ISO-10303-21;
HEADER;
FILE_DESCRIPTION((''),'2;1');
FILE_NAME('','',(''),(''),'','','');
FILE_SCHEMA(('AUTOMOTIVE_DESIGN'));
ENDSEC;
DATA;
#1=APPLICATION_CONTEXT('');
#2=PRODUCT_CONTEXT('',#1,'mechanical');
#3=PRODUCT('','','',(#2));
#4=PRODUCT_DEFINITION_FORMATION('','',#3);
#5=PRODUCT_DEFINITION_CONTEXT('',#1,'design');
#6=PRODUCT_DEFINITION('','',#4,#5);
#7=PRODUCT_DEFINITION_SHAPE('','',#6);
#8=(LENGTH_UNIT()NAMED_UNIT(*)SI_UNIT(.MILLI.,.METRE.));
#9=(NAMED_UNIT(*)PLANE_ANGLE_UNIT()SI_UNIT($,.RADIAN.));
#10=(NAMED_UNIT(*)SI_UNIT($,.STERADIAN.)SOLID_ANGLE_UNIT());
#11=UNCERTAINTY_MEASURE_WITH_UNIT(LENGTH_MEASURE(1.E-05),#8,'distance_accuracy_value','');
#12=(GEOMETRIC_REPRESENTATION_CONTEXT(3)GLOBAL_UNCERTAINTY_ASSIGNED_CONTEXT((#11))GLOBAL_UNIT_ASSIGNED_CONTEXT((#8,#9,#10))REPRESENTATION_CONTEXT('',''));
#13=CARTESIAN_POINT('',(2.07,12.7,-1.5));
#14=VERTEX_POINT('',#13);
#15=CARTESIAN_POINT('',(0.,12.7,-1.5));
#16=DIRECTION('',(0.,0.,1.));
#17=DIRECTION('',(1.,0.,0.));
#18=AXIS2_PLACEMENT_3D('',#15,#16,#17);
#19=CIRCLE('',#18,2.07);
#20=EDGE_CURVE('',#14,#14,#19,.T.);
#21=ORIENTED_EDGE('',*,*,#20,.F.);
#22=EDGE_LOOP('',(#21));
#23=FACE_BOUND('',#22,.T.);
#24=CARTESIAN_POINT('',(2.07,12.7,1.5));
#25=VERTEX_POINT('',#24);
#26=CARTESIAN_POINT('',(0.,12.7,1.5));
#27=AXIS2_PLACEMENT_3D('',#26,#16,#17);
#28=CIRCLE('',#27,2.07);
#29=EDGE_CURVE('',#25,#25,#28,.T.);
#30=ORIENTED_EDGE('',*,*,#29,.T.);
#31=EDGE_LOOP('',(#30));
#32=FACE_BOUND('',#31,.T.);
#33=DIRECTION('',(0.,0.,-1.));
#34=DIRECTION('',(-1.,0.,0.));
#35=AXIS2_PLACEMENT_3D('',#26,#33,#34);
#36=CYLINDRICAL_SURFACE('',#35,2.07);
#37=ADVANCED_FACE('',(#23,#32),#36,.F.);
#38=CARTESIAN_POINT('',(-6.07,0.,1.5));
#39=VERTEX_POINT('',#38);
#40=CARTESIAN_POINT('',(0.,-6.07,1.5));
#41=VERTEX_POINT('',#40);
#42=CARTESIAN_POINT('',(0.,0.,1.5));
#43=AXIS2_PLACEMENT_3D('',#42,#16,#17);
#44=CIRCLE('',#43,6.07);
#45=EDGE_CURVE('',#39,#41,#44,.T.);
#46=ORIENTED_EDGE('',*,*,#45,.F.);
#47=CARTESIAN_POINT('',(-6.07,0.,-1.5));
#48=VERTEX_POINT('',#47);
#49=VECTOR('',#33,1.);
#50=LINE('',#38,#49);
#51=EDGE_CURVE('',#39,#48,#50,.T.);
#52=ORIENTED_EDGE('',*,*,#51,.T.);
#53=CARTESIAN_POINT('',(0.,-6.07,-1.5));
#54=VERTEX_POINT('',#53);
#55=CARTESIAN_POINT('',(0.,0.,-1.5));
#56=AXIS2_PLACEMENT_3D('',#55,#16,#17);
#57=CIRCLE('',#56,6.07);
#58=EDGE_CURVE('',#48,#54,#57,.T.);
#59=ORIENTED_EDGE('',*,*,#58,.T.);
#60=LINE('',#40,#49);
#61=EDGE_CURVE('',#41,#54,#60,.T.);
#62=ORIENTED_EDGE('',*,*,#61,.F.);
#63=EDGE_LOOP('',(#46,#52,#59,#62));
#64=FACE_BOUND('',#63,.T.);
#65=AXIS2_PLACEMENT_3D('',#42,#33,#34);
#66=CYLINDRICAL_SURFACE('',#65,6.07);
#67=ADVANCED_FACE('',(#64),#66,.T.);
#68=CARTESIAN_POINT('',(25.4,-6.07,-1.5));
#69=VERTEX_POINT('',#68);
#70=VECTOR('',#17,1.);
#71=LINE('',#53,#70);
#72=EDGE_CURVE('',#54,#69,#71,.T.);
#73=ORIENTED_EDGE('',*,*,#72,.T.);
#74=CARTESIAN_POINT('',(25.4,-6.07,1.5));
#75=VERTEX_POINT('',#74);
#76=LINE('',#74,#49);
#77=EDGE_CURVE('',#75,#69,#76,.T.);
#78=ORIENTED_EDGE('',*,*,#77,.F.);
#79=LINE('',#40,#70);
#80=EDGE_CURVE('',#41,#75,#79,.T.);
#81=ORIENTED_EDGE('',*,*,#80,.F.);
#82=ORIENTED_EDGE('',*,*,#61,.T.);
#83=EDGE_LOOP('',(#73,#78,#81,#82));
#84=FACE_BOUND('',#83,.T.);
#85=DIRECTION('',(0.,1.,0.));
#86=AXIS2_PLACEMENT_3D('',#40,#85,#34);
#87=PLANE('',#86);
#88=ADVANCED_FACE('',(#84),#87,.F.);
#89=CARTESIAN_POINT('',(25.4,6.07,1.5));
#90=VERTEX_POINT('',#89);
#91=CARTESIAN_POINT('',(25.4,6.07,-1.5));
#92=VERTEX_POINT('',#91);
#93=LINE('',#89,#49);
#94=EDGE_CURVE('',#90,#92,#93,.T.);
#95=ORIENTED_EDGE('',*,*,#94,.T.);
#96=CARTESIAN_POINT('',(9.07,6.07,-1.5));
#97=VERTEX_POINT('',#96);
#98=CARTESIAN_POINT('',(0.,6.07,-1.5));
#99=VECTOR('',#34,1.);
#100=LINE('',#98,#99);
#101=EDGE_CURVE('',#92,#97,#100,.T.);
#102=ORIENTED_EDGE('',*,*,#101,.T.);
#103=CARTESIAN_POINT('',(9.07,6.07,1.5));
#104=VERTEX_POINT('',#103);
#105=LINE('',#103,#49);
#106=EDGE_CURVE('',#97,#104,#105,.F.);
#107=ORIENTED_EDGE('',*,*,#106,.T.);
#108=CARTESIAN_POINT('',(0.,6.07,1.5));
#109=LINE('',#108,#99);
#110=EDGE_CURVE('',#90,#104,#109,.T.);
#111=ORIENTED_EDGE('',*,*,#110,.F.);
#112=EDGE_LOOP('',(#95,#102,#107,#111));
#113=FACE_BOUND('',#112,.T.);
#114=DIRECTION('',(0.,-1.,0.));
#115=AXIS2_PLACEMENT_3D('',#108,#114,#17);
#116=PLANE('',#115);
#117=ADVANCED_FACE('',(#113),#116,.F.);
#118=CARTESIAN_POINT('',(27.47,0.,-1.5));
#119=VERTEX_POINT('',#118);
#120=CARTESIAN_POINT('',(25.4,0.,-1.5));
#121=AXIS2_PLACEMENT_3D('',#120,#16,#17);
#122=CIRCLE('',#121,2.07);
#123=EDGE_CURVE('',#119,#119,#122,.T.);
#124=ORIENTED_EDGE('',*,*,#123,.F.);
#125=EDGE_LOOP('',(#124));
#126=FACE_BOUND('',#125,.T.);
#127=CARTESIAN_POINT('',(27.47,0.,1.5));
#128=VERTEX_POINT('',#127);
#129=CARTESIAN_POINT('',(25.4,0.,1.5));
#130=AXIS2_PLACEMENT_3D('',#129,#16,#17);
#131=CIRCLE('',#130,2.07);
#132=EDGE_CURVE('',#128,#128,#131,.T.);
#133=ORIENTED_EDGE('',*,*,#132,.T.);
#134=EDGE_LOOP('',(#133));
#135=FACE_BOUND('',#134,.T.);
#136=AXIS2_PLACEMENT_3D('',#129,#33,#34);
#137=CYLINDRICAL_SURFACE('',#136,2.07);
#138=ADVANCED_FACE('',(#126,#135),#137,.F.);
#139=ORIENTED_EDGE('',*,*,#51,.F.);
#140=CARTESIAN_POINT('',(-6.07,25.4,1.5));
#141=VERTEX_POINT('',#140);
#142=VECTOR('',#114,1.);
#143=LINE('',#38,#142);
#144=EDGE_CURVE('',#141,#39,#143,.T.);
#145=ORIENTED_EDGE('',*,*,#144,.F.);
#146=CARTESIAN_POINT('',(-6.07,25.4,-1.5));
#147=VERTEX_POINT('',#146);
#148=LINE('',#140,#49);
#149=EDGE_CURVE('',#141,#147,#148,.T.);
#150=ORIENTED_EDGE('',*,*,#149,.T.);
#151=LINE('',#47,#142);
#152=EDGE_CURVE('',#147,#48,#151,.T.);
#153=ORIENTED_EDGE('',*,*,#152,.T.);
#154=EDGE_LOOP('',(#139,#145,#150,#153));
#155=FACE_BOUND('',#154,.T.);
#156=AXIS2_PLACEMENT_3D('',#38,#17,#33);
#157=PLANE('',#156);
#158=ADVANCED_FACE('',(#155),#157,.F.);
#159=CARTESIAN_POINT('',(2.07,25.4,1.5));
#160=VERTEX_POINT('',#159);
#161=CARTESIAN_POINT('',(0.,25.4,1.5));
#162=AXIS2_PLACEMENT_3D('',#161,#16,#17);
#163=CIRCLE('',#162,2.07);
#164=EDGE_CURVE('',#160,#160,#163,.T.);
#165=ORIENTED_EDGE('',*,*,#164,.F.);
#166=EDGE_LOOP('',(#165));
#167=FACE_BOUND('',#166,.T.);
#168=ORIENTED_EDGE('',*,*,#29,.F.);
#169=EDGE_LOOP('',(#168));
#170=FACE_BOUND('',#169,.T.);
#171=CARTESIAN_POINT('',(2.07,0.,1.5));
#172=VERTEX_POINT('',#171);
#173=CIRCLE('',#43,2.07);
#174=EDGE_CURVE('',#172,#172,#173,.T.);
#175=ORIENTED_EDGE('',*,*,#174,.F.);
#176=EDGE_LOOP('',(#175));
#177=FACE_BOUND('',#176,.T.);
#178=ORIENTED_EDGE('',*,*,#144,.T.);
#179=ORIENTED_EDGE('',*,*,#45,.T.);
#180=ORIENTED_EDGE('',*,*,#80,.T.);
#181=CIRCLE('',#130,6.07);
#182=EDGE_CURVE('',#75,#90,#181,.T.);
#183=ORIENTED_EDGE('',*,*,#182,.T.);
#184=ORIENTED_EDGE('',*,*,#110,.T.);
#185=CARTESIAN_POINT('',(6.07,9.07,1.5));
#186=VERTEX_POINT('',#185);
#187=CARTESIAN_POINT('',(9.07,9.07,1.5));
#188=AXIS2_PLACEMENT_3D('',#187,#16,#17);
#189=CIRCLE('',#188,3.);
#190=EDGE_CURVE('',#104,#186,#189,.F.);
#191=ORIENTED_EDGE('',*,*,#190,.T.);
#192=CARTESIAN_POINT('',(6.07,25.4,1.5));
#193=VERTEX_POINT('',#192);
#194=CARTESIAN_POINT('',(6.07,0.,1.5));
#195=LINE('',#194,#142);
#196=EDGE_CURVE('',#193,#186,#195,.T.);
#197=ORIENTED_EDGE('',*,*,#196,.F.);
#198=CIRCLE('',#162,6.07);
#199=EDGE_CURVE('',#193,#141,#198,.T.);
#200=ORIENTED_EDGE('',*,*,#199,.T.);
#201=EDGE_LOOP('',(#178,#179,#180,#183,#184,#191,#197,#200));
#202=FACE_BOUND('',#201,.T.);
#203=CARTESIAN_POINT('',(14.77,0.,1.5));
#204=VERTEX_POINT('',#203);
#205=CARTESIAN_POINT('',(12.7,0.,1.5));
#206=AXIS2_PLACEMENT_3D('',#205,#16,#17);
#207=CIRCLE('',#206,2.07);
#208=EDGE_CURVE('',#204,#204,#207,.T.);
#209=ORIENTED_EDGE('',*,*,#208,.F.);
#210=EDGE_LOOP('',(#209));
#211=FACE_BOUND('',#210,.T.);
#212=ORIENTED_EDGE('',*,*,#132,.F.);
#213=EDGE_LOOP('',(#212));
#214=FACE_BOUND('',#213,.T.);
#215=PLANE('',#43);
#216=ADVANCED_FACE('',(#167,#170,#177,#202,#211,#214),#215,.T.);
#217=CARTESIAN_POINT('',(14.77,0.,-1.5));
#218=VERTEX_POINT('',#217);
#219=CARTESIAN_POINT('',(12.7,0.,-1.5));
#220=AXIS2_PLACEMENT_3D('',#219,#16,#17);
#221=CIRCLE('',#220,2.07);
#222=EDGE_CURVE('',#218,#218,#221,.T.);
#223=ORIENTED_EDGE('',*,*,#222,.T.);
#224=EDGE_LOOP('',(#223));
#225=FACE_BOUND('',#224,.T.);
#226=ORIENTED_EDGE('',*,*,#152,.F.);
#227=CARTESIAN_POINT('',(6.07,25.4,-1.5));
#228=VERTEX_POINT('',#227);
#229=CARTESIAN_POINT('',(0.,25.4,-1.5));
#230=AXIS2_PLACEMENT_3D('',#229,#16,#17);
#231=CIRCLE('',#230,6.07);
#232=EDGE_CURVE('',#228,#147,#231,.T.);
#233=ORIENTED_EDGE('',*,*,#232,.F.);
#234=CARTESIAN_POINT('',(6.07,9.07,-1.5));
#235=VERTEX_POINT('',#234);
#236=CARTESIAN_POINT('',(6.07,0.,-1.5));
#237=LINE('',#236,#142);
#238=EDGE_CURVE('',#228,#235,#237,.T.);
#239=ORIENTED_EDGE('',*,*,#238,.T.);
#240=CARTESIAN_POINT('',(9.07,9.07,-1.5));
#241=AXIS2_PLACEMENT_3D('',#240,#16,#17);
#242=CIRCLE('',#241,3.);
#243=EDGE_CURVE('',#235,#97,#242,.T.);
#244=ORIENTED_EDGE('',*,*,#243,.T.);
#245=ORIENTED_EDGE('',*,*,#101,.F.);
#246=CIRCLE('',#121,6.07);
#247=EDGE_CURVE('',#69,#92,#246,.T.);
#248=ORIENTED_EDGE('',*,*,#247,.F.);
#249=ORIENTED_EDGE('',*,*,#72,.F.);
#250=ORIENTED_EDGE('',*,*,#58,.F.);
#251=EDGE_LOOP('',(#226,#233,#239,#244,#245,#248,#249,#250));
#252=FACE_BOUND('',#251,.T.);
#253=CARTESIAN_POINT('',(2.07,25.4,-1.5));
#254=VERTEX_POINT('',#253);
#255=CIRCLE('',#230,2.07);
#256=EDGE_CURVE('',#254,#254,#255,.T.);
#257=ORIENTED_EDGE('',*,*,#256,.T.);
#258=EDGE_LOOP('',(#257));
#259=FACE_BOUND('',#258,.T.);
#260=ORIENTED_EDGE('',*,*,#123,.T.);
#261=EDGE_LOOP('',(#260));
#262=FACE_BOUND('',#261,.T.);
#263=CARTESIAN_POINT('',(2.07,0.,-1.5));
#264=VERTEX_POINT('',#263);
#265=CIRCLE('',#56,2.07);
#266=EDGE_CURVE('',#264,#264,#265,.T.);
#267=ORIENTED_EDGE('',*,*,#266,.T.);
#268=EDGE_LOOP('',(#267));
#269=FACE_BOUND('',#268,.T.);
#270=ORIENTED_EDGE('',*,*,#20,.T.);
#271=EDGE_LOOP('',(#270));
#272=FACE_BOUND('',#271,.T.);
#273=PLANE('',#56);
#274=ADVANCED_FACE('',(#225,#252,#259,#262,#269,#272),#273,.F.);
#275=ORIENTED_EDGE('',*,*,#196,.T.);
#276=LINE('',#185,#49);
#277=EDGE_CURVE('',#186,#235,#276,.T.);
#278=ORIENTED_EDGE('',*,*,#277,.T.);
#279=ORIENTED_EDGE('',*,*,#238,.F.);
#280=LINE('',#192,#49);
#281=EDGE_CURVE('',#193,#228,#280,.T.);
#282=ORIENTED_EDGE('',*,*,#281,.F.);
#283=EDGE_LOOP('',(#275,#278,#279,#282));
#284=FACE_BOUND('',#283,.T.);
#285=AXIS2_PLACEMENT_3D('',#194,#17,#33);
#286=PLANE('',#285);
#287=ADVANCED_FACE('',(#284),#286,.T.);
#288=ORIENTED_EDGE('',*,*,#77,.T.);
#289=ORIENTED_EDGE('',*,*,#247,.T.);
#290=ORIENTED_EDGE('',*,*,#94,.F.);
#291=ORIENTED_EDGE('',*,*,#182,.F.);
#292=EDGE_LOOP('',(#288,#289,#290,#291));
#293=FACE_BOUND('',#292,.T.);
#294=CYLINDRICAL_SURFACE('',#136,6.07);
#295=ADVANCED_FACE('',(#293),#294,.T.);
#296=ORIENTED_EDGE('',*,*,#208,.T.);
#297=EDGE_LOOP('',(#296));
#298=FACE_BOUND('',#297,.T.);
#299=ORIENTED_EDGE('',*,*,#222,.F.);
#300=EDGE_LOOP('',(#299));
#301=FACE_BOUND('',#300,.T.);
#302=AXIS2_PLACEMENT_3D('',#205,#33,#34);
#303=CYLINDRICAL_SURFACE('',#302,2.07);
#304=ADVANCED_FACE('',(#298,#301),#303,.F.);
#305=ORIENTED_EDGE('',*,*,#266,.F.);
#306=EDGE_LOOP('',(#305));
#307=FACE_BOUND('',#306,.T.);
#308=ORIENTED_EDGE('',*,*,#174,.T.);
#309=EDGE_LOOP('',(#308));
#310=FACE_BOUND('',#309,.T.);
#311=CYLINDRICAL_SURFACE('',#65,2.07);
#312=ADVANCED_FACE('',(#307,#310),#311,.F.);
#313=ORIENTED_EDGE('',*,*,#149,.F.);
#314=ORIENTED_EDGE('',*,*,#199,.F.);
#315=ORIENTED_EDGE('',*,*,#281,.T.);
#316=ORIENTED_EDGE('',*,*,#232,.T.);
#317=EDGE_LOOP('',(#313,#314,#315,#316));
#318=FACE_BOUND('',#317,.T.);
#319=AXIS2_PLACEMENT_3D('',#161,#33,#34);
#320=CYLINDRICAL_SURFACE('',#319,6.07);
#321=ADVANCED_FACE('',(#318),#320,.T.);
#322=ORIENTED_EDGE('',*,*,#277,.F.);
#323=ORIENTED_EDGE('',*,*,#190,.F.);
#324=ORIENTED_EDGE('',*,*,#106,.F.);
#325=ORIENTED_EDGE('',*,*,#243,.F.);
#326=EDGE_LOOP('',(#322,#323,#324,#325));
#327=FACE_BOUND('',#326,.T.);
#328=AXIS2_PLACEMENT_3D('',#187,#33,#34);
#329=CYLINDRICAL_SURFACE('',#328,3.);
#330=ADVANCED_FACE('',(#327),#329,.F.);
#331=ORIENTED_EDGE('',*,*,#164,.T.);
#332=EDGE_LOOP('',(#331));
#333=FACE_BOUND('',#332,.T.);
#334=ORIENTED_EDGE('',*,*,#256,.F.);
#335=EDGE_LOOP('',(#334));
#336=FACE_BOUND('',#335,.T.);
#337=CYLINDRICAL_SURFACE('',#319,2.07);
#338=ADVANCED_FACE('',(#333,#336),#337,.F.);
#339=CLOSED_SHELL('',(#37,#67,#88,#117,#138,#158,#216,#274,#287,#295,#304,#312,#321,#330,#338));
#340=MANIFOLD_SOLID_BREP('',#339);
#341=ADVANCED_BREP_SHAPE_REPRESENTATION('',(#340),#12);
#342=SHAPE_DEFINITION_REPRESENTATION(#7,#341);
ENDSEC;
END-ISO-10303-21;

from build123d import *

# Parameters (mm, degrees)
SKETCH1_R           = 2.07
SKETCH1_R_2         = 6.07
BOSS_EXTRUDE1_DEPTH = 1.5
FILLET1_R           = 3


with BuildPart() as part:
    # Sketch1 → Boss-Extrude1 (new, symmetric)
    # profile 1 of 5: a face of its own
    with BuildSketch(Plane.XY):
        with BuildLine():
            ThreePointArc((6.07, 25.4), (0, 19.33), (-6.07, 25.4))
            Line((-6.07, 25.4), (-6.07, 0))
            ThreePointArc((-6.07, 0), (0, 6.07), (6.07, 0))
            Line((6.07, 0), (6.07, 6.07))
            Line((6.07, 6.07), (6.07, 25.4))
        make_face()
        with Locations((0, 12.7)):
            Circle(SKETCH1_R, mode=Mode.SUBTRACT)
    # profile 2 of 5: a face of its own
    with BuildSketch(Plane.XY):
        with Locations((0, 25.4)):
            Circle(SKETCH1_R_2)
        with Locations((0, 25.4)):
            Circle(SKETCH1_R, mode=Mode.SUBTRACT)
    # profile 3 of 5: a face of its own
    with BuildSketch(Plane.XY):
        Circle(SKETCH1_R_2)
        Circle(SKETCH1_R, mode=Mode.SUBTRACT)
    # profile 4 of 5: a face of its own
    with BuildSketch(Plane.XY):
        with BuildLine():
            Line((6.07, 6.07), (6.07, 0))
            ThreePointArc((6.07, 0), (4.292138162, -4.292138162), (0, -6.07))
            Line((0, -6.07), (25.4, -6.07))
            ThreePointArc((25.4, -6.07), (19.33, 0), (25.4, 6.07))
            Line((25.4, 6.07), (6.07, 6.07))
        make_face()
        with Locations((12.7, 0)):
            Circle(SKETCH1_R, mode=Mode.SUBTRACT)
    # profile 5 of 5: a face of its own
    with BuildSketch(Plane.XY):
        with Locations((25.4, 0)):
            Circle(SKETCH1_R_2)
        with Locations((25.4, 0)):
            Circle(SKETCH1_R, mode=Mode.SUBTRACT)
    extrude(amount=BOSS_EXTRUDE1_DEPTH, both=True)

    # Fillet1
    fillet1_edges = [part.edges().sort_by_distance(p)[0] for p in [
        (6.07, 6.07, 0),
    ]]
    fillet(fillet1_edges, radius=FILLET1_R)


solid = part.part
